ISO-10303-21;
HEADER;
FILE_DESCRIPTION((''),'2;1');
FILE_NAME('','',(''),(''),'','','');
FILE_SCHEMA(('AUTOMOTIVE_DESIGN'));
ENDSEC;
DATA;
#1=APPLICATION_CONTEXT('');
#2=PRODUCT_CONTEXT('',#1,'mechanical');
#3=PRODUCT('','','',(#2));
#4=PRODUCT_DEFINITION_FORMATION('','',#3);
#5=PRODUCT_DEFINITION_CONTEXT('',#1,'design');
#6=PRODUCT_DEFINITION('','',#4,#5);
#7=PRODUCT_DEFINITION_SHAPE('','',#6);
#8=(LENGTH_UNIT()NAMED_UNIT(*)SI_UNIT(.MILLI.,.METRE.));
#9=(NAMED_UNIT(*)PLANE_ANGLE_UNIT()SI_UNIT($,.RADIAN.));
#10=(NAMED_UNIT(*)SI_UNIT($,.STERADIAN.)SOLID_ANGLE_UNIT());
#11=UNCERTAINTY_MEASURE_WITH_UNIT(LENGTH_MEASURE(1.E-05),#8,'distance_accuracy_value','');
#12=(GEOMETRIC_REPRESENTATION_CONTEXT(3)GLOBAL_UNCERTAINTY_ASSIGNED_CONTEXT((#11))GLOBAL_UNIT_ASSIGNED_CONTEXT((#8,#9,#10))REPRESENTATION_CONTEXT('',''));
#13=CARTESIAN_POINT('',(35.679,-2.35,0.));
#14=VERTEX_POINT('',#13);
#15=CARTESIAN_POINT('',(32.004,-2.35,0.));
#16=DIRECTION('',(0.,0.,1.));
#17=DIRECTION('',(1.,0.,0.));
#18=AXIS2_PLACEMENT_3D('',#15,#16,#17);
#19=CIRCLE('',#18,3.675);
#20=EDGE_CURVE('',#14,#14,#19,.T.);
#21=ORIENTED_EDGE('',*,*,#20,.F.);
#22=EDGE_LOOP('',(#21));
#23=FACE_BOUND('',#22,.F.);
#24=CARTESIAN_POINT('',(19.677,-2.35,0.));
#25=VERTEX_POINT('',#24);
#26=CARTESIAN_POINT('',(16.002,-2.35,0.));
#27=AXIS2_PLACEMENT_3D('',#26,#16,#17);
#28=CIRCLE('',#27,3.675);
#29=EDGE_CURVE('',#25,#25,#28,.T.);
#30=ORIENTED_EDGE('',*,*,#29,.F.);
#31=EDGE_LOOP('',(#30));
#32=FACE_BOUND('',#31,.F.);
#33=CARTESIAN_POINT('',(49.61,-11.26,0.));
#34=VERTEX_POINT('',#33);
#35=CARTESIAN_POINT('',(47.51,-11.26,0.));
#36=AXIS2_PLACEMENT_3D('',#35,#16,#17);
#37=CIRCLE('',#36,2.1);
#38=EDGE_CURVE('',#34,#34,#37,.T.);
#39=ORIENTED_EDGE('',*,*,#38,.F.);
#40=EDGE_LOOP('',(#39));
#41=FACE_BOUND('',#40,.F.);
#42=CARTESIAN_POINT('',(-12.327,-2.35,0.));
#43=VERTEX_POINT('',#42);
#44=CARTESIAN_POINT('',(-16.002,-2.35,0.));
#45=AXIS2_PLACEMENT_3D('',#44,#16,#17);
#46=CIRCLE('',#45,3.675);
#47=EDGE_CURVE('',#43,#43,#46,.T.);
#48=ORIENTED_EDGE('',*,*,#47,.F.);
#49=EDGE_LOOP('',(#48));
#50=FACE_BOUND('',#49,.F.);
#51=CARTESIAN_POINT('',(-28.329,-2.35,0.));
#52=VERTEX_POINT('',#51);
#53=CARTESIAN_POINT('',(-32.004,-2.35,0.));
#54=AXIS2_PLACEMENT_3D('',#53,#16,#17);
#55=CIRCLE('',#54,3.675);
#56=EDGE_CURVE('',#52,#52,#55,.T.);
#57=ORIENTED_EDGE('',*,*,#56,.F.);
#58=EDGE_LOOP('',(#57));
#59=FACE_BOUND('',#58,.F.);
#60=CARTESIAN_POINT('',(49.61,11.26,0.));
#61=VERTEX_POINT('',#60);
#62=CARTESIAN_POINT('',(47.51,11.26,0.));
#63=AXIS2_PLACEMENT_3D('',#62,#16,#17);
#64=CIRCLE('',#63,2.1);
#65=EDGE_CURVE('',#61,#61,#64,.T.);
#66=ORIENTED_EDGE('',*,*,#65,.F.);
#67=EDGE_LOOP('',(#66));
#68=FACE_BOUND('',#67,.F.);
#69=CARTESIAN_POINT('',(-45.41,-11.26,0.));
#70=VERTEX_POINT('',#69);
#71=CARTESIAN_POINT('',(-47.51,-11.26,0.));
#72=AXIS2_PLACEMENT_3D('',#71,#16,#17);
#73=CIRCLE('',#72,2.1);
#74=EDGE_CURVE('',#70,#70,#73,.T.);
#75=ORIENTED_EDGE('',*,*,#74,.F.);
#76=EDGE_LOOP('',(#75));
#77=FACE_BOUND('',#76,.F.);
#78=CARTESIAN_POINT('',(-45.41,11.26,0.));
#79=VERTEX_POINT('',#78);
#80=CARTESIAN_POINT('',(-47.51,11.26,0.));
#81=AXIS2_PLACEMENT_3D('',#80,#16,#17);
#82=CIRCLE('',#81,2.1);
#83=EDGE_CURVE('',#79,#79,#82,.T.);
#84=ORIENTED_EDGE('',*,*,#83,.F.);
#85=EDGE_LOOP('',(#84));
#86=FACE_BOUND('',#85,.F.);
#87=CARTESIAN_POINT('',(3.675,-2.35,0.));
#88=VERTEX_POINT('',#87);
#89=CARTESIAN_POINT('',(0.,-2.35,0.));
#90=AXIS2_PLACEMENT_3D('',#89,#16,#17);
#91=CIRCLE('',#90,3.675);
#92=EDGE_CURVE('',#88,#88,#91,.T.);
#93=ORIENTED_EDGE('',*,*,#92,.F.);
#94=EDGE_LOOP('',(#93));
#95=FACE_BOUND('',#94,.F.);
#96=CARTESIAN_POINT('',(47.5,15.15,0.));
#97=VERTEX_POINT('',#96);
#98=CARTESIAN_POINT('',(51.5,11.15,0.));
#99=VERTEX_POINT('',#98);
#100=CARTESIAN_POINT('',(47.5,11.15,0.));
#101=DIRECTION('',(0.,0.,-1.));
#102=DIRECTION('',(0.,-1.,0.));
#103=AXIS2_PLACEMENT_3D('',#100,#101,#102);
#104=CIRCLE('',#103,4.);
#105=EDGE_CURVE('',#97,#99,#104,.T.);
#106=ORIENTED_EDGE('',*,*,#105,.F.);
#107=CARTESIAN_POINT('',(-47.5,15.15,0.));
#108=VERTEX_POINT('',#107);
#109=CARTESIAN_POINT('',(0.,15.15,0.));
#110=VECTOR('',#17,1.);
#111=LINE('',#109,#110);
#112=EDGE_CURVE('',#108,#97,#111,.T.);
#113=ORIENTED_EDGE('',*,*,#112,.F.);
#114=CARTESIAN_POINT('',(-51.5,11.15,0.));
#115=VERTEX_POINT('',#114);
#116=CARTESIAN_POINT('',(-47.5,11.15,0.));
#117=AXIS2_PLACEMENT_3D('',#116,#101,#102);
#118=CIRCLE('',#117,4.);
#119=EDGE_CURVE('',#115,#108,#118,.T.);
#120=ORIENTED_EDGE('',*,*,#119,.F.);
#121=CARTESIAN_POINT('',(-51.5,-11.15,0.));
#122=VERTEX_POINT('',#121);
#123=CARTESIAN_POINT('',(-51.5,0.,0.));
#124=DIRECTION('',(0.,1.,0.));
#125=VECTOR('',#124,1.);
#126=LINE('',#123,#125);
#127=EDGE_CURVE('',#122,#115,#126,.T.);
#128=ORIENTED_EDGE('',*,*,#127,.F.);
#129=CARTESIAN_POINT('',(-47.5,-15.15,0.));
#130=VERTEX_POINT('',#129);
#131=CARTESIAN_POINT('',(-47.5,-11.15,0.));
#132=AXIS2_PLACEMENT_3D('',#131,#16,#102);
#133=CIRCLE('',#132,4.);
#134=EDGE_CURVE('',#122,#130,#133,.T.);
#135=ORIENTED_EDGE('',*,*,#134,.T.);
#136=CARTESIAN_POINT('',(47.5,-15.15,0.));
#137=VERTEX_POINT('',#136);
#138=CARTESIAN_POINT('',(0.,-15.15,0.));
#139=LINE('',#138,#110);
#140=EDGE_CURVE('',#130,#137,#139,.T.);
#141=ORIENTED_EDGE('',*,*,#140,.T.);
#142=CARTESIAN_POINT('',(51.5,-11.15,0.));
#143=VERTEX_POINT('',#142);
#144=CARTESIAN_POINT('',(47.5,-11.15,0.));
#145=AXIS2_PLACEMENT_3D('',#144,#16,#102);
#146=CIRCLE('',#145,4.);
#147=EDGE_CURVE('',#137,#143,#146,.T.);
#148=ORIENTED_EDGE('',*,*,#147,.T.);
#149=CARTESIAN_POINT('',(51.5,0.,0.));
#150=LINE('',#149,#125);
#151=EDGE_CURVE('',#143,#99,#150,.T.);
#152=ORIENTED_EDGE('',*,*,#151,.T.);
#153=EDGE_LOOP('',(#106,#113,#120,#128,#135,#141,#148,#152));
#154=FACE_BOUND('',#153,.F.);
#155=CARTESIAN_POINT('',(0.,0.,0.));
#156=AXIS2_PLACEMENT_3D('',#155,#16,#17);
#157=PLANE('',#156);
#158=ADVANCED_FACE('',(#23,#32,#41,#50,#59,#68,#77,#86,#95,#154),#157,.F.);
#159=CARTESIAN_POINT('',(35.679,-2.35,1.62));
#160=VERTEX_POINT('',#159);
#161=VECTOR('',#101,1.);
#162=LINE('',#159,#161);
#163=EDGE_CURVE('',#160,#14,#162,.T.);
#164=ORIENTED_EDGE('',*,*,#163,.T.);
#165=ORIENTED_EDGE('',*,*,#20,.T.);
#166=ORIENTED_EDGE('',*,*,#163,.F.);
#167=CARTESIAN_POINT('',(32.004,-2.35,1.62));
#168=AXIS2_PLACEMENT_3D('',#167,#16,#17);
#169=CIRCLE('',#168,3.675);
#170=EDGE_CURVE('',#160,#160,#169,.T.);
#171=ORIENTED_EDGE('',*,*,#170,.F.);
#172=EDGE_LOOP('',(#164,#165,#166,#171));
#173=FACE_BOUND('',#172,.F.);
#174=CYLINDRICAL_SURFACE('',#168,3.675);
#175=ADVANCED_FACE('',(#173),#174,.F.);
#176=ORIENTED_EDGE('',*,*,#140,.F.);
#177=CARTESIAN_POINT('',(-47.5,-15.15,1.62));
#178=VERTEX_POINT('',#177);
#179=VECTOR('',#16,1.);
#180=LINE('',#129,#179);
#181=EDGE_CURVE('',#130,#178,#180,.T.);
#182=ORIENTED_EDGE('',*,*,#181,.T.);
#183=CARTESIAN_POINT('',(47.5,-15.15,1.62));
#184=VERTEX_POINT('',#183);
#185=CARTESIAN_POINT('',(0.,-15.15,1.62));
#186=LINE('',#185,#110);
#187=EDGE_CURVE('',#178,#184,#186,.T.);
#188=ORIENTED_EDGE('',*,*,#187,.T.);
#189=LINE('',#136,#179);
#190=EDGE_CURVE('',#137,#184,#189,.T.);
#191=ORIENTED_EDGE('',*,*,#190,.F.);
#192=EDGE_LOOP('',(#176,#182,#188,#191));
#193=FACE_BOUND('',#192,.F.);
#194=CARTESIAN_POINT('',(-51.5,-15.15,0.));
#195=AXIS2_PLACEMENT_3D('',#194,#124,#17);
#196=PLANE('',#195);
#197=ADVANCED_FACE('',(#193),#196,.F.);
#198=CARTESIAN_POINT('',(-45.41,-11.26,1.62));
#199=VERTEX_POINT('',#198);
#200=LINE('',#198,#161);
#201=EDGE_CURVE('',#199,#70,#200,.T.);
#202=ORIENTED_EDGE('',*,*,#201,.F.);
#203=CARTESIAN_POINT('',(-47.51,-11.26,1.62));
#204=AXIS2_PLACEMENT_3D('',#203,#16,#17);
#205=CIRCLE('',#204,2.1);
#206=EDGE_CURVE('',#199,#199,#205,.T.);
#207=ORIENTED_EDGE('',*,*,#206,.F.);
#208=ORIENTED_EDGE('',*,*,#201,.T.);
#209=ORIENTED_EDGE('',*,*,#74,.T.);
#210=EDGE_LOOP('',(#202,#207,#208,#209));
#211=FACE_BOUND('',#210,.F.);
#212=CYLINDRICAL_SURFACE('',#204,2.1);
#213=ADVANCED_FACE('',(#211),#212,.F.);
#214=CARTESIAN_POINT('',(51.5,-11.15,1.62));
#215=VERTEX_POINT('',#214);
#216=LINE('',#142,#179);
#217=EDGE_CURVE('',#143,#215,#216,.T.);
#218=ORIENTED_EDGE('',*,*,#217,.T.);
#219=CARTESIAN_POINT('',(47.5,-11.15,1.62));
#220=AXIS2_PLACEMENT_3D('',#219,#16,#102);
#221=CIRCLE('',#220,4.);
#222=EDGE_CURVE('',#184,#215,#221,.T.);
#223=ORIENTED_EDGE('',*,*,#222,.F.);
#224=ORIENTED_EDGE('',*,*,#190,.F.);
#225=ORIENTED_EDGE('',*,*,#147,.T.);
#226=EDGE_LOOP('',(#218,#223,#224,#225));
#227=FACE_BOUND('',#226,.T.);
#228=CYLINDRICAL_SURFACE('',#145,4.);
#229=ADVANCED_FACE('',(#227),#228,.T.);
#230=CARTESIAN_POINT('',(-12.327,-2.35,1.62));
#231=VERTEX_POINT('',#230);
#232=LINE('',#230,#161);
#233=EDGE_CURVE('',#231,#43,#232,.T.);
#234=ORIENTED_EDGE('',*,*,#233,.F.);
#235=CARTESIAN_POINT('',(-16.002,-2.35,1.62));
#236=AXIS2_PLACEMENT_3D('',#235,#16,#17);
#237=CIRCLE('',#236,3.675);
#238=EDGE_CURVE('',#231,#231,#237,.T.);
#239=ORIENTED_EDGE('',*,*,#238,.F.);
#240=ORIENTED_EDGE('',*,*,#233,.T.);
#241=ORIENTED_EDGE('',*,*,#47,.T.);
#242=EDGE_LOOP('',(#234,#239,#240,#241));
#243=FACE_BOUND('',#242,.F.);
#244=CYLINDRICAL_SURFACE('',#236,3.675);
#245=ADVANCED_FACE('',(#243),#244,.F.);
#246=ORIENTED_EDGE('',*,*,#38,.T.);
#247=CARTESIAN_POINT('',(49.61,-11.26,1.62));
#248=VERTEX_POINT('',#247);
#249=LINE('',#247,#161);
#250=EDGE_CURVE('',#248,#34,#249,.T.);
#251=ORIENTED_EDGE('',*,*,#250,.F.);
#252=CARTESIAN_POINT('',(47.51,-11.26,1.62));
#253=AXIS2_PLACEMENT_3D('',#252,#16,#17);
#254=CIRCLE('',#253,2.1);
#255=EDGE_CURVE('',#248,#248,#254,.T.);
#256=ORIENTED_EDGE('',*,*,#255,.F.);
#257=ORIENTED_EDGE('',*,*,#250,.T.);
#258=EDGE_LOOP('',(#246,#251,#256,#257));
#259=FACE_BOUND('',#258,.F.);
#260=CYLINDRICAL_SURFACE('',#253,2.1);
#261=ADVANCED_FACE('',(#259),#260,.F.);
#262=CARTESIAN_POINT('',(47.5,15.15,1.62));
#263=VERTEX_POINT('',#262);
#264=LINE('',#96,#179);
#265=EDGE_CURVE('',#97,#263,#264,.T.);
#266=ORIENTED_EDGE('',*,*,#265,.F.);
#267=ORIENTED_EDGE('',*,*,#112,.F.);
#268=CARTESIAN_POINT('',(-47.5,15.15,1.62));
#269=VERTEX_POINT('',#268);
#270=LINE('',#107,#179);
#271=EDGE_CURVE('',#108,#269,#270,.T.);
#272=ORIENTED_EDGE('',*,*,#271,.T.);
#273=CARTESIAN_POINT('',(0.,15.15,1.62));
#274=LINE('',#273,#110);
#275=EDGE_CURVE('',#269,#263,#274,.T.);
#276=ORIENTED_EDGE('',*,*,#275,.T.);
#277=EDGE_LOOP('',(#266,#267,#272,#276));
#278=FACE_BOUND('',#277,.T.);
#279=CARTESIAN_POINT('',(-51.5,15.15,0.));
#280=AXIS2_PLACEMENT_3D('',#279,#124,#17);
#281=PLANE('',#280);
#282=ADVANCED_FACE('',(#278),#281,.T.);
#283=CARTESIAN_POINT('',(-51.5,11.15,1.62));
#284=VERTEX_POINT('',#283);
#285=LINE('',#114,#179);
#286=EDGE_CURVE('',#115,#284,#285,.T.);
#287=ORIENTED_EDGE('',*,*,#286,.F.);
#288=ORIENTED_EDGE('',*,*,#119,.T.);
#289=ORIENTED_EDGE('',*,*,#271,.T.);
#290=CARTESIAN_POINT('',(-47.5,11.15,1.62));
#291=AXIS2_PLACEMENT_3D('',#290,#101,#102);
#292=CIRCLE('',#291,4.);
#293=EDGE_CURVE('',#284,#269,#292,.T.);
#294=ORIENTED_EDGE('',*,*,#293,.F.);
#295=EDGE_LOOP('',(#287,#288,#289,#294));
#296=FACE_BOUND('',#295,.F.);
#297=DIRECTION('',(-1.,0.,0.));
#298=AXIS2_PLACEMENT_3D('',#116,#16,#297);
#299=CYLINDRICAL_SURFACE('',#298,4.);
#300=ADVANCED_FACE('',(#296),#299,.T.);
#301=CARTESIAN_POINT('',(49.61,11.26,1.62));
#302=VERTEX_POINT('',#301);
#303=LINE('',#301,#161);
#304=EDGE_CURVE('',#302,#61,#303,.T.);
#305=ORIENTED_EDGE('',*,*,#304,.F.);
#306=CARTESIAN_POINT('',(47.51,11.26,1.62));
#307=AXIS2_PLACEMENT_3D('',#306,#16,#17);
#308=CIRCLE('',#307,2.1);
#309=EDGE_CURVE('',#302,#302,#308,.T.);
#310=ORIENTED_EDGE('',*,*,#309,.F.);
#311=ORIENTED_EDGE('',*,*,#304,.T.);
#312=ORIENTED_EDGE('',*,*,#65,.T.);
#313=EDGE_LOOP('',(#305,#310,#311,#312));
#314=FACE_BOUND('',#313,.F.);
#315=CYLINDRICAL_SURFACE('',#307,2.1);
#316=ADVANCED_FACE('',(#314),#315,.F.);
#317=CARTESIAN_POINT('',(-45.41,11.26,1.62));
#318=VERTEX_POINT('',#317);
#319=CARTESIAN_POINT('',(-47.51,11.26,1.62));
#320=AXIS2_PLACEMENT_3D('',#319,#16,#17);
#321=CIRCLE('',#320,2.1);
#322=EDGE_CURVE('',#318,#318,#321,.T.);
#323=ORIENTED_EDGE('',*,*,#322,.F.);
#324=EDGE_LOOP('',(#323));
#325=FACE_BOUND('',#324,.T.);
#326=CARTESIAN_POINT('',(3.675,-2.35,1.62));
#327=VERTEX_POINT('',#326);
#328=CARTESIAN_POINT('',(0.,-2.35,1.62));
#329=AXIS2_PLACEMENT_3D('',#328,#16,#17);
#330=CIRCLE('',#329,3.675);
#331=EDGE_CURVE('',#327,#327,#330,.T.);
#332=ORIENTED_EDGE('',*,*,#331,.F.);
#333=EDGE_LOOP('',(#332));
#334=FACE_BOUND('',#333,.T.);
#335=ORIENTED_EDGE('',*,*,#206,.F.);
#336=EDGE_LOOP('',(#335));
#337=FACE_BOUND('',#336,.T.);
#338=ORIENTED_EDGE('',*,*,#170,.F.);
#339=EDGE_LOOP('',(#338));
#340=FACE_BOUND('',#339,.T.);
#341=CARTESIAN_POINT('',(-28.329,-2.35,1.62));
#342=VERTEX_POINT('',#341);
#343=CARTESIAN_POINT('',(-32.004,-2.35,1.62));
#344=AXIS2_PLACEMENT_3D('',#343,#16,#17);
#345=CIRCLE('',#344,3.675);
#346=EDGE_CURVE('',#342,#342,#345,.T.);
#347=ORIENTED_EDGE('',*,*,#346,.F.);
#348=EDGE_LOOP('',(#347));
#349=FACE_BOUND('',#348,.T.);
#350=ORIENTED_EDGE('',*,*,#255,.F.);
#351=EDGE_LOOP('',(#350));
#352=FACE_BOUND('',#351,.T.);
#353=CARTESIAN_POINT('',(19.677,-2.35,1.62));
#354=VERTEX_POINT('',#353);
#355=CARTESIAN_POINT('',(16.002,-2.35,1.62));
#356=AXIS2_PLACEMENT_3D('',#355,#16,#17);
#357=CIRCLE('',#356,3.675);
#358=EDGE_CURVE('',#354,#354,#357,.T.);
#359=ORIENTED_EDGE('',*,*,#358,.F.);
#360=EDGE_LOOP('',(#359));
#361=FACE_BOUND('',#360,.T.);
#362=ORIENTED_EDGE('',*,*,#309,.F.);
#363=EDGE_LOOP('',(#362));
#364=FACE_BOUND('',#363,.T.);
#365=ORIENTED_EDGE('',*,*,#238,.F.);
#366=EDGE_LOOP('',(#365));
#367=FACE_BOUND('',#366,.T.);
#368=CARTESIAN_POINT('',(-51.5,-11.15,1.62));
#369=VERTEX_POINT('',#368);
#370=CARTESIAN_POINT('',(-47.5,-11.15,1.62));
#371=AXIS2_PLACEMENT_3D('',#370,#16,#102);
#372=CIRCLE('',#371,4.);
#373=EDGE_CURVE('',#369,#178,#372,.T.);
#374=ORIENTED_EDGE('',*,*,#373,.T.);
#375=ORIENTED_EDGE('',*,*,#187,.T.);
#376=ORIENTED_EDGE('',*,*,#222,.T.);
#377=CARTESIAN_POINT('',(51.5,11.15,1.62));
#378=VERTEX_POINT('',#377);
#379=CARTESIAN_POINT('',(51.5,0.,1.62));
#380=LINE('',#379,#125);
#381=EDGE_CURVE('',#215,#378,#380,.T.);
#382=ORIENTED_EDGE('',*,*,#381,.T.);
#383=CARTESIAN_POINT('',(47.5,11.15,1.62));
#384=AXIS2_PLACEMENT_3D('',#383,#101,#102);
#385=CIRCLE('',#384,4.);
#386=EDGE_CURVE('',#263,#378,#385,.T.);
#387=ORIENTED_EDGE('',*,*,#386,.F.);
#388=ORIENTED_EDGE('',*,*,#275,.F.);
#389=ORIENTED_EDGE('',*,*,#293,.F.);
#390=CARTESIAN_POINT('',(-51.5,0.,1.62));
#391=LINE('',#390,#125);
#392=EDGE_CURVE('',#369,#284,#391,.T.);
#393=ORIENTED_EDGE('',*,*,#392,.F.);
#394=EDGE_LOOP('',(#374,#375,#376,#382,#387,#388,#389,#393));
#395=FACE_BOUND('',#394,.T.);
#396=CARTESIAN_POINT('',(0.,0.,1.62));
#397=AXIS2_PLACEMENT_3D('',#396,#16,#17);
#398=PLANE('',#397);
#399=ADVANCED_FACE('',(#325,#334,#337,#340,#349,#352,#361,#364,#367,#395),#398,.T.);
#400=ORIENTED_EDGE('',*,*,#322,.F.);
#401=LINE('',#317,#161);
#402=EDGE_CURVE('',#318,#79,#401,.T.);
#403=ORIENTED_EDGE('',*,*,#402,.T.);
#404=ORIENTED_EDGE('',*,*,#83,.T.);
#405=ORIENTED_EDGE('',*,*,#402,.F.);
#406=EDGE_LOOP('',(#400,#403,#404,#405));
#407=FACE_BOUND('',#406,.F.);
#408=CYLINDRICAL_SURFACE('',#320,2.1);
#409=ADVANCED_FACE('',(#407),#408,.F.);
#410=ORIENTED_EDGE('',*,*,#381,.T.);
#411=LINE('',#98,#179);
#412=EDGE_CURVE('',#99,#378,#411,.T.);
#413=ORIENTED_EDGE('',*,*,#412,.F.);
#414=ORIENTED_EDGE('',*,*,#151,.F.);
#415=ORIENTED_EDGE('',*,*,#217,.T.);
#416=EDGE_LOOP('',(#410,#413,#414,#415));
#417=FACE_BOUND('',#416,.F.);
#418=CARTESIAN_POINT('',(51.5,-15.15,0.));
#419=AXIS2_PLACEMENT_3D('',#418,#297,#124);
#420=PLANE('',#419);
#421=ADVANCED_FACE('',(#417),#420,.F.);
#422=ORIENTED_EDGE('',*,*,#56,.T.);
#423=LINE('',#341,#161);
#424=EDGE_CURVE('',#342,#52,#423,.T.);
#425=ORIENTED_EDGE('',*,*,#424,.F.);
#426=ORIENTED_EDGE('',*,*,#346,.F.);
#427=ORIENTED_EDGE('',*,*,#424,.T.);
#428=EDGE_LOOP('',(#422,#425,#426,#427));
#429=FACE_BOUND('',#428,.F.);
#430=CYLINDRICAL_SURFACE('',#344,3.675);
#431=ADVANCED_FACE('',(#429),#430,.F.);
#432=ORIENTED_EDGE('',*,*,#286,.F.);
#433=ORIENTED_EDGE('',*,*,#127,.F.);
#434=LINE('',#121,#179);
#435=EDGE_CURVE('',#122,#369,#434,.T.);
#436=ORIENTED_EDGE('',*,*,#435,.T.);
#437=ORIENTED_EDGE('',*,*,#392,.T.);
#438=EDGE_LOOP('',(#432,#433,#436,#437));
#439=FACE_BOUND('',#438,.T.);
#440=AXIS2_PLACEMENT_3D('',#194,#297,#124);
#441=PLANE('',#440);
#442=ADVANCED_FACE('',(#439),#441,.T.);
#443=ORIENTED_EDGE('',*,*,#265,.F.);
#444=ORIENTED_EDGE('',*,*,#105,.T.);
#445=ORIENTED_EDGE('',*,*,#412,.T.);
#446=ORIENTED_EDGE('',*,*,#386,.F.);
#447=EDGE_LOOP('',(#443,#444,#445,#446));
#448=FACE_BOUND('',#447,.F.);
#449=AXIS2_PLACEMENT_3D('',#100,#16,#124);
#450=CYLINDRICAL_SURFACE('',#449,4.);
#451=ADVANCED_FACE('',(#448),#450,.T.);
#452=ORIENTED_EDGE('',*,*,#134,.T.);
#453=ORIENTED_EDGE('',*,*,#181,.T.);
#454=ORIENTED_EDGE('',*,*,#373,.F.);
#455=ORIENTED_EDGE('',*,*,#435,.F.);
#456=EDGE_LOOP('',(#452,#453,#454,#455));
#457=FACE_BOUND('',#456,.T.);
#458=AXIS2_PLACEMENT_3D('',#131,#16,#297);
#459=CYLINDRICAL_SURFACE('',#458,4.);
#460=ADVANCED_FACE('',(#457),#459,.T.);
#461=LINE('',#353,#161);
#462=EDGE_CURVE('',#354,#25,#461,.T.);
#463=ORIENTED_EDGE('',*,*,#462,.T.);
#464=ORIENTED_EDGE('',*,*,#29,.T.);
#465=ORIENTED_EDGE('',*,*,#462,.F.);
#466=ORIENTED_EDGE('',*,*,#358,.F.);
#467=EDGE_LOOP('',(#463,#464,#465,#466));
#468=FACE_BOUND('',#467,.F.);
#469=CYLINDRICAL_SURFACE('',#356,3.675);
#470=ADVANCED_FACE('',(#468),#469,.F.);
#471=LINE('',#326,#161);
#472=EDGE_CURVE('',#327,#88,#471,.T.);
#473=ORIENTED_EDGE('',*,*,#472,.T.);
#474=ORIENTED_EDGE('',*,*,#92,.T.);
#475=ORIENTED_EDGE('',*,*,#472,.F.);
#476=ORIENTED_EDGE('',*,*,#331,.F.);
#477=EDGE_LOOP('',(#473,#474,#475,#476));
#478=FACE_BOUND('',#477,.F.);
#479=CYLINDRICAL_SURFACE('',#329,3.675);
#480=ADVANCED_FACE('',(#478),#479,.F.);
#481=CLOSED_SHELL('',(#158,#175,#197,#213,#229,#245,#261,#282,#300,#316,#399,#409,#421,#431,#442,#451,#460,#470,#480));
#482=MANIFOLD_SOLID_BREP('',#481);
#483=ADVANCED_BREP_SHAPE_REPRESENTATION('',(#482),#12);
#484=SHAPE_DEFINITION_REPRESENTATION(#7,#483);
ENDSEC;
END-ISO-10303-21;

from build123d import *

# Parameters (mm, degrees)
SKETCH_W        = 103
SKETCH_H        = 30.3
PAD_DEPTH       = 1.62
SKETCH001_R     = 2.1
POCKET_DEPTH    = 5
SKETCH002_R     = 3.675
POCKET001_DEPTH = 5
FILLET_R        = 4


with BuildPart() as part:
    # Sketch → Pad (new body)
    with BuildSketch(Plane.XY):
        Rectangle(SKETCH_W, SKETCH_H)
    extrude(amount=PAD_DEPTH)

    # Sketch001 → Pocket (cut)
    with BuildSketch(Plane.XY.offset(1.62)):
        with Locations((-47.51, 11.26)):
            Circle(SKETCH001_R)
        with Locations((47.51, 11.26)):
            Circle(SKETCH001_R)
        with Locations((-47.51, -11.26)):
            Circle(SKETCH001_R)
        with Locations((47.51, -11.26)):
            Circle(SKETCH001_R)
    extrude(amount=-POCKET_DEPTH, mode=Mode.SUBTRACT)

    # Sketch002 → Pocket001 (cut)
    with BuildSketch(Plane.XY.offset(1.62)):
        with Locations((-32.004, -2.35)):
            Circle(SKETCH002_R)
        with Locations((-16.002, -2.35)):
            Circle(SKETCH002_R)
        with Locations((0, -2.35)):
            Circle(SKETCH002_R)
        with Locations((16.002, -2.35)):
            Circle(SKETCH002_R)
        with Locations((32.004, -2.35)):
            Circle(SKETCH002_R)
    extrude(amount=-POCKET001_DEPTH, mode=Mode.SUBTRACT)

    # Fillet
    fillet_edges = [part.edges().sort_by_distance(p)[0] for p in [
        (-51.5, -15.15, 0.81),
        (-51.5, 15.15, 0.81),
        (51.5, -15.15, 0.81),
        (51.5, 15.15, 0.81),
    ]]
    fillet(fillet_edges, radius=FILLET_R)


solid = part.part
